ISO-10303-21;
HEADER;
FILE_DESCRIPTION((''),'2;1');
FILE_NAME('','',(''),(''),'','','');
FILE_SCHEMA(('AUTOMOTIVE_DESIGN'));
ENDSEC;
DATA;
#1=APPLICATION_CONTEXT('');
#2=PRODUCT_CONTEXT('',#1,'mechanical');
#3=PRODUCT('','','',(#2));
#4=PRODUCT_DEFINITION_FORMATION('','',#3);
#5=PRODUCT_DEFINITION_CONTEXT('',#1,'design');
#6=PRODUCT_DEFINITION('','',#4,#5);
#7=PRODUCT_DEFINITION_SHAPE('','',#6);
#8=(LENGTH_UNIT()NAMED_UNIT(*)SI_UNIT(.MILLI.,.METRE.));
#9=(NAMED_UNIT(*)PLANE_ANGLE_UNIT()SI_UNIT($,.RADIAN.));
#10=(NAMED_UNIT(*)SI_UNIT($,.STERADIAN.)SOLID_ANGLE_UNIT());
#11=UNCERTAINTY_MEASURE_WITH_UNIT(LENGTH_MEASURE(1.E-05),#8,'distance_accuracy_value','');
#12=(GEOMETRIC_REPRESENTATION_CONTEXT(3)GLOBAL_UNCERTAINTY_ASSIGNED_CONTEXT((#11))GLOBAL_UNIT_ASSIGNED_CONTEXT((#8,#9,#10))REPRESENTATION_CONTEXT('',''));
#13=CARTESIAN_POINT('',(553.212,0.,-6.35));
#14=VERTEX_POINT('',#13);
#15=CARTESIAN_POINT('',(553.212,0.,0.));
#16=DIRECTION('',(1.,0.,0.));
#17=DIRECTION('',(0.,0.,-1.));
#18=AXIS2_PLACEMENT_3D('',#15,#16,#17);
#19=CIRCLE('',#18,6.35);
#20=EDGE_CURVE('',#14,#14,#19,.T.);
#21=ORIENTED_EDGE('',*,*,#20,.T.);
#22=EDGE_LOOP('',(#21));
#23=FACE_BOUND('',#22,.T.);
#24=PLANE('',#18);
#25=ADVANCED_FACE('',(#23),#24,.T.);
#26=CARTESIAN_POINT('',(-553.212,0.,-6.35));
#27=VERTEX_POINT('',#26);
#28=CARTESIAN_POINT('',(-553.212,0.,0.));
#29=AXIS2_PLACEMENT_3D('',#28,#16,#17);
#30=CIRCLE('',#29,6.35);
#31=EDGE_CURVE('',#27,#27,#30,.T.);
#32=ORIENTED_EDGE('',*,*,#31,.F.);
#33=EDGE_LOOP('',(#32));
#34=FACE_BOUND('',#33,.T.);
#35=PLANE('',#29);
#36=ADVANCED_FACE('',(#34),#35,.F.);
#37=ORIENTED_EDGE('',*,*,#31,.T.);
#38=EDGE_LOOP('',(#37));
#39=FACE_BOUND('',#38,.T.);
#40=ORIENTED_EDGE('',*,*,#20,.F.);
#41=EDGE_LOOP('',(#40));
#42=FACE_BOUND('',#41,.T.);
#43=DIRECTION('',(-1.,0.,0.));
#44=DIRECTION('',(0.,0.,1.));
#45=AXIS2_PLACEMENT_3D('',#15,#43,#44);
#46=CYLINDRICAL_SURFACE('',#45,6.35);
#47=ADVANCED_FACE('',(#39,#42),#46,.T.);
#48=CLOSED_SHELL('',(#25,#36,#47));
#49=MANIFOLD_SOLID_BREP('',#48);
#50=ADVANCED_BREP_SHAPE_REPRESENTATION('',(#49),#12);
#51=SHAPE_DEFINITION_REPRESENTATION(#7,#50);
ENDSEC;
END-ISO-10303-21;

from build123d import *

# Parameters (mm, degrees)
SKETCH1_R           = 6.35
BOSS_EXTRUDE1_DEPTH = 553.212


with BuildPart() as part:
    # Sketch1 → Boss-Extrude1 (new, symmetric)
    with BuildSketch(Plane(origin=(0, 0, 0), x_dir=(0, 0, -1), z_dir=(1, 0, 0))):
        Circle(SKETCH1_R)
    extrude(amount=BOSS_EXTRUDE1_DEPTH, both=True)


solid = part.part
